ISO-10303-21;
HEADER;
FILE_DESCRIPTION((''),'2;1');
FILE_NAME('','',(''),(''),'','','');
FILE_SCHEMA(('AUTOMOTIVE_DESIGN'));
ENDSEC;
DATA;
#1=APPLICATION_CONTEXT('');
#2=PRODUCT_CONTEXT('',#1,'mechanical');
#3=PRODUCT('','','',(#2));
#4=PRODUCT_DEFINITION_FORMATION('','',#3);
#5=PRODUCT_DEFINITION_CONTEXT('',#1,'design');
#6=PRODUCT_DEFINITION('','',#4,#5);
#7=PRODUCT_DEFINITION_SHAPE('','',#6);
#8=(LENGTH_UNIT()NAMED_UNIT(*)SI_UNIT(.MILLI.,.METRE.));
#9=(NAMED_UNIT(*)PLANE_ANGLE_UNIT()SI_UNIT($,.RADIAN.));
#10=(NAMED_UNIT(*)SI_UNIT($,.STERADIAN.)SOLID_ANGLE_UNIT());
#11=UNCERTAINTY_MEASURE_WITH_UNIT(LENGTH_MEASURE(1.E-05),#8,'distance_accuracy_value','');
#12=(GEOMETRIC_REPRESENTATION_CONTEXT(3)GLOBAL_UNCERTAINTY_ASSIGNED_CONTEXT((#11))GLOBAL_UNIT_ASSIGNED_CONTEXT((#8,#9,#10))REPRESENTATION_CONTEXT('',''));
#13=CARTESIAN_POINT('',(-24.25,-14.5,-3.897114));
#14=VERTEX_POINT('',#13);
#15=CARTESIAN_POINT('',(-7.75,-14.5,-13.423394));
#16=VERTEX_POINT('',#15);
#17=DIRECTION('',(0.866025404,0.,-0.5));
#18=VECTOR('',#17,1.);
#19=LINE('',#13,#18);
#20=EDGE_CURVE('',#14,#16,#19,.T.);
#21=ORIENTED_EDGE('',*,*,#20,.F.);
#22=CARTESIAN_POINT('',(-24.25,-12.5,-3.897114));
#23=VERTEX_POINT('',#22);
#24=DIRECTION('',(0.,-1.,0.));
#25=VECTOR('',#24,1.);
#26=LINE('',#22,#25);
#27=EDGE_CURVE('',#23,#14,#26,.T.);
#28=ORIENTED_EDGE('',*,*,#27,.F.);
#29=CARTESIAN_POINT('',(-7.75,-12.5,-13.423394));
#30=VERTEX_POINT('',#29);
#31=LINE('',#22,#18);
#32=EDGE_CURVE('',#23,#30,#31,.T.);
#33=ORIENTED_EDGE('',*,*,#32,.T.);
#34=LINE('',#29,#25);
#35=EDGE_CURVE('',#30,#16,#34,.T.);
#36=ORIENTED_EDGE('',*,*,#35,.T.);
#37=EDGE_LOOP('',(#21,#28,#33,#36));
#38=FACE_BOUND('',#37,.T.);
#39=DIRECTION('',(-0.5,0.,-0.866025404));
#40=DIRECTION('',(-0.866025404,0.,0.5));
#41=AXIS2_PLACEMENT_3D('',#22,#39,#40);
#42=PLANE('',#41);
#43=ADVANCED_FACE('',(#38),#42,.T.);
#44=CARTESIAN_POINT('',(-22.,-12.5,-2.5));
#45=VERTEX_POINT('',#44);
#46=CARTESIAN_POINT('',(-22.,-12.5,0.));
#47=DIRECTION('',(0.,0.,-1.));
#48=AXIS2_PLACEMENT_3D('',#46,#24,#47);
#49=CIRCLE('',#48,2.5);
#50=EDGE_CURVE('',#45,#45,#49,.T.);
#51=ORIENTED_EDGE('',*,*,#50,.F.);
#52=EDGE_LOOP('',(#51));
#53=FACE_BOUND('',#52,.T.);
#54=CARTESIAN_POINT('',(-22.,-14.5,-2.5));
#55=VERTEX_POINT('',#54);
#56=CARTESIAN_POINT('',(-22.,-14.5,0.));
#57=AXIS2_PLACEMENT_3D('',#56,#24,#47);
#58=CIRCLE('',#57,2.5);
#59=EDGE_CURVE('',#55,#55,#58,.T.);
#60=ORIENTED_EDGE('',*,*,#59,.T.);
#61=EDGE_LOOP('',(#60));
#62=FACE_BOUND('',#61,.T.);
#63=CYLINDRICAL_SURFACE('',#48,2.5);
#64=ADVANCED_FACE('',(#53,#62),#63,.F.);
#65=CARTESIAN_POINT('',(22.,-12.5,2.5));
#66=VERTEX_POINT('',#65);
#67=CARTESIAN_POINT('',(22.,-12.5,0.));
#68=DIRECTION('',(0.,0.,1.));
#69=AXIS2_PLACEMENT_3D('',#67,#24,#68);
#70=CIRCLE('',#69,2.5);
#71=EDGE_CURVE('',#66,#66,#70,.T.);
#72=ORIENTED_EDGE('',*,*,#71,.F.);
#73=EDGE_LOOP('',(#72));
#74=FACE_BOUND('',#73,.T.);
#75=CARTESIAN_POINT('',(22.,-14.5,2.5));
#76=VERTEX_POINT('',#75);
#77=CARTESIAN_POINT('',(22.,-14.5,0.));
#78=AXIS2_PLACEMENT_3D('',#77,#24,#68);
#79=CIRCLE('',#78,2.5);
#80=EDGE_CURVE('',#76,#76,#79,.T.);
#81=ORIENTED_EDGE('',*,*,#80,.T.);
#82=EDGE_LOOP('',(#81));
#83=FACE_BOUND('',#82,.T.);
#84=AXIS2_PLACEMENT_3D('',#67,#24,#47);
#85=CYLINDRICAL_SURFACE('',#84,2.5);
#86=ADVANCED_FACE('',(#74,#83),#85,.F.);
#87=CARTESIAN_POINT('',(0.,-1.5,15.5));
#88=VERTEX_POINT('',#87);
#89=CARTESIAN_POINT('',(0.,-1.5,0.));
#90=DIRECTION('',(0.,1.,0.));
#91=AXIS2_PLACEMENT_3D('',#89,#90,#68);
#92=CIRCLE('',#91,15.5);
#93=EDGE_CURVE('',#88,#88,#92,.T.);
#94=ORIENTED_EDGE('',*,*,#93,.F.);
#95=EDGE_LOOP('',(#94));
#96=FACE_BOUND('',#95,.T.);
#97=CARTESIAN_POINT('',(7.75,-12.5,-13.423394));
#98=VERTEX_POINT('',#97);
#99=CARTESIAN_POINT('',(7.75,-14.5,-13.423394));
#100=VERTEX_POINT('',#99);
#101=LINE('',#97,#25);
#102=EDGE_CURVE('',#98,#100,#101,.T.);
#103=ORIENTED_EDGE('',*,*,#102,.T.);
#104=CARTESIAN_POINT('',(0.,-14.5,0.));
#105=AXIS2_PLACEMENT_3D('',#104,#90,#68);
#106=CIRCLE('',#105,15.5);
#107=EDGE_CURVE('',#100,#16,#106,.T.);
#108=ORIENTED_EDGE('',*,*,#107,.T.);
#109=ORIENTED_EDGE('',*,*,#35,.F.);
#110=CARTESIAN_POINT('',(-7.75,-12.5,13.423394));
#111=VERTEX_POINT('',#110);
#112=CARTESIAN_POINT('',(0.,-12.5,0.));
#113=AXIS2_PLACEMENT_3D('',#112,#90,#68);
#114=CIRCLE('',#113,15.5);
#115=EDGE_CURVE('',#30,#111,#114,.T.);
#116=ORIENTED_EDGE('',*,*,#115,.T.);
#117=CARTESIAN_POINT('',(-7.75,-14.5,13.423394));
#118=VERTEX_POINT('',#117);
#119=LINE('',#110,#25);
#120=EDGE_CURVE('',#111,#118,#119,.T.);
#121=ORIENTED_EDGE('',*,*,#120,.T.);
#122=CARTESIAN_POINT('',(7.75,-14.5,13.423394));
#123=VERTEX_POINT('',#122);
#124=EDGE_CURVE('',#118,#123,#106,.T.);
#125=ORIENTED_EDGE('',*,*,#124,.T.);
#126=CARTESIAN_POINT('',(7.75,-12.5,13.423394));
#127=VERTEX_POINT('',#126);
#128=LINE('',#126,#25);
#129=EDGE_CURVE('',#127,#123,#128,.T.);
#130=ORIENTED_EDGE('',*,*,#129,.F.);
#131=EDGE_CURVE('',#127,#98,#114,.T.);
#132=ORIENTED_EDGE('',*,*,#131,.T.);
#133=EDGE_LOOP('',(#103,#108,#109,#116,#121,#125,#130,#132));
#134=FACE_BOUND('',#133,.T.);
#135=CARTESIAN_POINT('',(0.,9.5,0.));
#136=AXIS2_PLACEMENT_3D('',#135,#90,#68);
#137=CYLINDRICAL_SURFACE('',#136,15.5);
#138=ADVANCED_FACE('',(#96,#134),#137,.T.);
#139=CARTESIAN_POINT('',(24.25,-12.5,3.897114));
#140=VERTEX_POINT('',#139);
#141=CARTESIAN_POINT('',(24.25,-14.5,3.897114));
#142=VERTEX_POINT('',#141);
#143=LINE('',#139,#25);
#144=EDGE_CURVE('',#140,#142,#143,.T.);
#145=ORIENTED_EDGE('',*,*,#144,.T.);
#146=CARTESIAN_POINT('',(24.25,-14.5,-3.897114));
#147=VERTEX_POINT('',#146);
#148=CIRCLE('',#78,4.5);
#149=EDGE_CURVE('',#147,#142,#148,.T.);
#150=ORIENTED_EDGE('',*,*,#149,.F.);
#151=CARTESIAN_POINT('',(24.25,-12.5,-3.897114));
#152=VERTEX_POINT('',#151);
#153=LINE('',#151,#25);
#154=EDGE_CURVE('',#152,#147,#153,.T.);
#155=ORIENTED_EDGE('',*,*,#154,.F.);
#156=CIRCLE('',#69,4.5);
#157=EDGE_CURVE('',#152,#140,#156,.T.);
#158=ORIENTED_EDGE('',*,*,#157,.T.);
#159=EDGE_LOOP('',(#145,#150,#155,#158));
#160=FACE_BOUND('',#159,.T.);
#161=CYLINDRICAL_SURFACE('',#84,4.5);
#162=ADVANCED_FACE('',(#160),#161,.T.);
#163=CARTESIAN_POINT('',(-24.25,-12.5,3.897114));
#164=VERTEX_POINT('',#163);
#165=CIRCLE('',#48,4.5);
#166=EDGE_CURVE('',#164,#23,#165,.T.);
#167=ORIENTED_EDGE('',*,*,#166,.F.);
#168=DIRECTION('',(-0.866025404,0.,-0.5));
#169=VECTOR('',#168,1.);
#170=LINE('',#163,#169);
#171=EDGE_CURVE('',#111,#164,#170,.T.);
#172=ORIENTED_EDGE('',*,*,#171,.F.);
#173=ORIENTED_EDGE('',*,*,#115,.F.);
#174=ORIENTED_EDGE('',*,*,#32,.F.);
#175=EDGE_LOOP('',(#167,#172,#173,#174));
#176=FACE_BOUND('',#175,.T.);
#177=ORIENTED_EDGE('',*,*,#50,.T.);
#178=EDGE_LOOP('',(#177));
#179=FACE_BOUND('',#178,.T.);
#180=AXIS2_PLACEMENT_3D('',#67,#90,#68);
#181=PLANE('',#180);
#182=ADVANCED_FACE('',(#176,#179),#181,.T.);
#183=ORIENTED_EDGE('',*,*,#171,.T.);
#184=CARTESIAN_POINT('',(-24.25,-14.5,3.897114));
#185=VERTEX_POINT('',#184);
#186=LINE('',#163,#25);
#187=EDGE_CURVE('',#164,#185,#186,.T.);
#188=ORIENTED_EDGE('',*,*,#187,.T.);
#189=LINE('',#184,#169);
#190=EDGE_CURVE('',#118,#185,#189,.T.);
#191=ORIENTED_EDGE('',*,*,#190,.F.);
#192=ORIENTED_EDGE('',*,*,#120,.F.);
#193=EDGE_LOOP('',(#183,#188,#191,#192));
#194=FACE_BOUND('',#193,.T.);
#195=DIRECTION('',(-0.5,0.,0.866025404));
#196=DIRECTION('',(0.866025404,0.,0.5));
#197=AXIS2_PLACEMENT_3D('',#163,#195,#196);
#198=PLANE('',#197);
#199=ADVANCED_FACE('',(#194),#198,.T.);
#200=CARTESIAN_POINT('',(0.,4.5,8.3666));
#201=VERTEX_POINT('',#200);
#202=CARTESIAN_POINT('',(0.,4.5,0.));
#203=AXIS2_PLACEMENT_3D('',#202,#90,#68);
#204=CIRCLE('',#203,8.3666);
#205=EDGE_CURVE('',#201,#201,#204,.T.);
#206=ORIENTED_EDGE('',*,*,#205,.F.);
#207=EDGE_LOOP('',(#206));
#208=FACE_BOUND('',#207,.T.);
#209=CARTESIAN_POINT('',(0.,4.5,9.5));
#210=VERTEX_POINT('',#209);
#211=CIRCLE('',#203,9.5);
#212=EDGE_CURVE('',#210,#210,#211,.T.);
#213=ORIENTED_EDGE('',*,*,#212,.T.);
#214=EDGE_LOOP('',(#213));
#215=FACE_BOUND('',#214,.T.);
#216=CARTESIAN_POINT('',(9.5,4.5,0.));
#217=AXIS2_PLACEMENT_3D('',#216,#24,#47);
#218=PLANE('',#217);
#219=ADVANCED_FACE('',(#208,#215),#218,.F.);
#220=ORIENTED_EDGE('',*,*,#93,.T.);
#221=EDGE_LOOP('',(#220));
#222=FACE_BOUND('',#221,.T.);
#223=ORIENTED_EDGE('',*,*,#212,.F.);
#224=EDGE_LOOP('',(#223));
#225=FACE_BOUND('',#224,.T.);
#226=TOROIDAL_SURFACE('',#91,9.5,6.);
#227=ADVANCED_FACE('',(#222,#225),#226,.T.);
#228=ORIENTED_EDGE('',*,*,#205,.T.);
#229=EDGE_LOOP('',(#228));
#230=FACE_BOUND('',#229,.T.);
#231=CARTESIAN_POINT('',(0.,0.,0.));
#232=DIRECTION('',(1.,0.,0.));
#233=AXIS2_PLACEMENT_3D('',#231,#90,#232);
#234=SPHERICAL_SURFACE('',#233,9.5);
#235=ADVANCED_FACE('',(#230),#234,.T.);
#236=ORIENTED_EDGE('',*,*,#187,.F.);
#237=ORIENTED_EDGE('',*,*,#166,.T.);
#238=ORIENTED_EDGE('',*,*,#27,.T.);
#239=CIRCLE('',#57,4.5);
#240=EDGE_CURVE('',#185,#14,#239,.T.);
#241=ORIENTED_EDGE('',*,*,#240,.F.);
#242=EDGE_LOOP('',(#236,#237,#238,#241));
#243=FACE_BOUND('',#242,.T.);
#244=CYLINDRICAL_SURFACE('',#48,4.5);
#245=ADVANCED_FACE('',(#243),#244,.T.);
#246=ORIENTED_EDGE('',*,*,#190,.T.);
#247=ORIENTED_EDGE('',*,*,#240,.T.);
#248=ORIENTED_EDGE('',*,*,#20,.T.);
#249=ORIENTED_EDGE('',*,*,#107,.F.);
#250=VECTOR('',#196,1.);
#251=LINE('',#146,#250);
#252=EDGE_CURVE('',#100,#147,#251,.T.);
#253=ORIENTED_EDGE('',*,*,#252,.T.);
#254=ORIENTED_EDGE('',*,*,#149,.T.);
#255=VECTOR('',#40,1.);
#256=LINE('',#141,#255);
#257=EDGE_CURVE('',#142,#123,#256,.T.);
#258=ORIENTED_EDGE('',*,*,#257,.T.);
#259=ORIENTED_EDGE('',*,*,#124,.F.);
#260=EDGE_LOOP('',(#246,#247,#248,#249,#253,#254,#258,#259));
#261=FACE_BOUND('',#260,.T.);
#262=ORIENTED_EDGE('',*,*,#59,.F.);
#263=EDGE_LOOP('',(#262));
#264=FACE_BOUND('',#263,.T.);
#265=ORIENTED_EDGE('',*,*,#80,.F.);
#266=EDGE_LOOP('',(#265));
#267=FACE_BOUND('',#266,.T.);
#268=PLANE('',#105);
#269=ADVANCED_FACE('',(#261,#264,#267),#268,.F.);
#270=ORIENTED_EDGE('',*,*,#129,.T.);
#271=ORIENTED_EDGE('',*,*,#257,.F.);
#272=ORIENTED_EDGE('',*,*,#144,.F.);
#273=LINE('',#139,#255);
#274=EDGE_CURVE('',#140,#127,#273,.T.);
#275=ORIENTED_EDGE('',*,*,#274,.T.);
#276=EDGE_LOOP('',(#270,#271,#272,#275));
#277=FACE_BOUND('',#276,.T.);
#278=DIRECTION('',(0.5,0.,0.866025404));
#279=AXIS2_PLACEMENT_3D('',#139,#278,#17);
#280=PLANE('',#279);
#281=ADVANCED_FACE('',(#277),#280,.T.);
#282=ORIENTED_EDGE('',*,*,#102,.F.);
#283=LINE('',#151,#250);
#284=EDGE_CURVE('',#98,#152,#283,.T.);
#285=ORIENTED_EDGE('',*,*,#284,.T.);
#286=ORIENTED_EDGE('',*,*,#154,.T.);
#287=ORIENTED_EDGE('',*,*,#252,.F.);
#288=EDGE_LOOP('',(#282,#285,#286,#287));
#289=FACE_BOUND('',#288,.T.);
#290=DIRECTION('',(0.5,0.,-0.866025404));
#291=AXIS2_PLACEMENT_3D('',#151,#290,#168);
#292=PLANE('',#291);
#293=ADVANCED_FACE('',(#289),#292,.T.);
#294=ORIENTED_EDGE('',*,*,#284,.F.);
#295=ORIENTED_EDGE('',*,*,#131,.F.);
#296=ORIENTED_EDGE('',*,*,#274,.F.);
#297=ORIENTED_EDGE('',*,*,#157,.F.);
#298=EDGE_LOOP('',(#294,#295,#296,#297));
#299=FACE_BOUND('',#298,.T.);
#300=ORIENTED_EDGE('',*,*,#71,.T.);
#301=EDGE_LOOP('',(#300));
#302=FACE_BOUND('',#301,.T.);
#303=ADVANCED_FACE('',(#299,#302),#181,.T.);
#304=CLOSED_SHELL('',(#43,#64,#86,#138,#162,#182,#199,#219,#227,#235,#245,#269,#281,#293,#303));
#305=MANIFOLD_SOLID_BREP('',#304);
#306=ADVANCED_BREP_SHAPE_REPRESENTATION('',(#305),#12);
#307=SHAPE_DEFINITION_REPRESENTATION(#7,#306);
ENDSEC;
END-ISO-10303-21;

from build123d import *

# Parameters (mm, degrees)
EXTRUDE_START   = -2
SKETCH_2_R      = 2.5
EXTRUDE_1_DEPTH = 2


with BuildPart() as part:
    # 草图1 → 旋转1 (revolve)
    with BuildSketch(Plane.XY, mode=Mode.PRIVATE) as revolve_1_sk:
        with BuildLine():
            Line((0, -14.5), (15.5, -14.5))
            Line((15.5, -14.5), (15.5, -1.5))
            ThreePointArc((15.5, -1.5), (13.742640687, 2.742640687), (9.5, 4.5))
            Line((9.5, 4.5), (8.366600265, 4.5))
            ThreePointArc((8.366600265, 4.5), (4.873397172, 8.154753215), (0, 9.5))
            Line((0, 9.5), (0, -14.5))
        make_face()
    revolve(revolve_1_sk.sketch.rotate(Axis((0, 9.5, 0), (0, -1, 0)), 90), axis=Axis((0, 9.5, 0), (0, -1, 0)))

    # 草图2 → 凸台-拉伸1 (add)
    with BuildSketch(Plane.XZ.offset(14.5).offset(EXTRUDE_START)):
        with BuildLine():
            Line((-24.25, 3.897114317), (-7.75, 13.423393759))
            ThreePointArc((-7.75, 13.423393759), (0, 15.5), (7.75, 13.423393759))
            Line((7.75, 13.423393759), (24.25, 3.897114317))
            ThreePointArc((24.25, 3.897114317), (26.5, 0), (24.25, -3.897114317))
            Line((24.25, -3.897114317), (7.75, -13.423393759))
            ThreePointArc((7.75, -13.423393759), (0, -15.5), (-7.75, -13.423393759))
            Line((-7.75, -13.423393759), (-24.25, -3.897114317))
            ThreePointArc((-24.25, -3.897114317), (-26.5, 0), (-24.25, 3.897114317))
        make_face()
        with Locations(Location((-22, 0, 0), (0, 0, 270))):
            Circle(SKETCH_2_R, mode=Mode.SUBTRACT)
        with Locations(Location((22, 0, 0), (0, 0, 90))):
            Circle(SKETCH_2_R, mode=Mode.SUBTRACT)
    extrude(amount=EXTRUDE_1_DEPTH)


solid = part.part
